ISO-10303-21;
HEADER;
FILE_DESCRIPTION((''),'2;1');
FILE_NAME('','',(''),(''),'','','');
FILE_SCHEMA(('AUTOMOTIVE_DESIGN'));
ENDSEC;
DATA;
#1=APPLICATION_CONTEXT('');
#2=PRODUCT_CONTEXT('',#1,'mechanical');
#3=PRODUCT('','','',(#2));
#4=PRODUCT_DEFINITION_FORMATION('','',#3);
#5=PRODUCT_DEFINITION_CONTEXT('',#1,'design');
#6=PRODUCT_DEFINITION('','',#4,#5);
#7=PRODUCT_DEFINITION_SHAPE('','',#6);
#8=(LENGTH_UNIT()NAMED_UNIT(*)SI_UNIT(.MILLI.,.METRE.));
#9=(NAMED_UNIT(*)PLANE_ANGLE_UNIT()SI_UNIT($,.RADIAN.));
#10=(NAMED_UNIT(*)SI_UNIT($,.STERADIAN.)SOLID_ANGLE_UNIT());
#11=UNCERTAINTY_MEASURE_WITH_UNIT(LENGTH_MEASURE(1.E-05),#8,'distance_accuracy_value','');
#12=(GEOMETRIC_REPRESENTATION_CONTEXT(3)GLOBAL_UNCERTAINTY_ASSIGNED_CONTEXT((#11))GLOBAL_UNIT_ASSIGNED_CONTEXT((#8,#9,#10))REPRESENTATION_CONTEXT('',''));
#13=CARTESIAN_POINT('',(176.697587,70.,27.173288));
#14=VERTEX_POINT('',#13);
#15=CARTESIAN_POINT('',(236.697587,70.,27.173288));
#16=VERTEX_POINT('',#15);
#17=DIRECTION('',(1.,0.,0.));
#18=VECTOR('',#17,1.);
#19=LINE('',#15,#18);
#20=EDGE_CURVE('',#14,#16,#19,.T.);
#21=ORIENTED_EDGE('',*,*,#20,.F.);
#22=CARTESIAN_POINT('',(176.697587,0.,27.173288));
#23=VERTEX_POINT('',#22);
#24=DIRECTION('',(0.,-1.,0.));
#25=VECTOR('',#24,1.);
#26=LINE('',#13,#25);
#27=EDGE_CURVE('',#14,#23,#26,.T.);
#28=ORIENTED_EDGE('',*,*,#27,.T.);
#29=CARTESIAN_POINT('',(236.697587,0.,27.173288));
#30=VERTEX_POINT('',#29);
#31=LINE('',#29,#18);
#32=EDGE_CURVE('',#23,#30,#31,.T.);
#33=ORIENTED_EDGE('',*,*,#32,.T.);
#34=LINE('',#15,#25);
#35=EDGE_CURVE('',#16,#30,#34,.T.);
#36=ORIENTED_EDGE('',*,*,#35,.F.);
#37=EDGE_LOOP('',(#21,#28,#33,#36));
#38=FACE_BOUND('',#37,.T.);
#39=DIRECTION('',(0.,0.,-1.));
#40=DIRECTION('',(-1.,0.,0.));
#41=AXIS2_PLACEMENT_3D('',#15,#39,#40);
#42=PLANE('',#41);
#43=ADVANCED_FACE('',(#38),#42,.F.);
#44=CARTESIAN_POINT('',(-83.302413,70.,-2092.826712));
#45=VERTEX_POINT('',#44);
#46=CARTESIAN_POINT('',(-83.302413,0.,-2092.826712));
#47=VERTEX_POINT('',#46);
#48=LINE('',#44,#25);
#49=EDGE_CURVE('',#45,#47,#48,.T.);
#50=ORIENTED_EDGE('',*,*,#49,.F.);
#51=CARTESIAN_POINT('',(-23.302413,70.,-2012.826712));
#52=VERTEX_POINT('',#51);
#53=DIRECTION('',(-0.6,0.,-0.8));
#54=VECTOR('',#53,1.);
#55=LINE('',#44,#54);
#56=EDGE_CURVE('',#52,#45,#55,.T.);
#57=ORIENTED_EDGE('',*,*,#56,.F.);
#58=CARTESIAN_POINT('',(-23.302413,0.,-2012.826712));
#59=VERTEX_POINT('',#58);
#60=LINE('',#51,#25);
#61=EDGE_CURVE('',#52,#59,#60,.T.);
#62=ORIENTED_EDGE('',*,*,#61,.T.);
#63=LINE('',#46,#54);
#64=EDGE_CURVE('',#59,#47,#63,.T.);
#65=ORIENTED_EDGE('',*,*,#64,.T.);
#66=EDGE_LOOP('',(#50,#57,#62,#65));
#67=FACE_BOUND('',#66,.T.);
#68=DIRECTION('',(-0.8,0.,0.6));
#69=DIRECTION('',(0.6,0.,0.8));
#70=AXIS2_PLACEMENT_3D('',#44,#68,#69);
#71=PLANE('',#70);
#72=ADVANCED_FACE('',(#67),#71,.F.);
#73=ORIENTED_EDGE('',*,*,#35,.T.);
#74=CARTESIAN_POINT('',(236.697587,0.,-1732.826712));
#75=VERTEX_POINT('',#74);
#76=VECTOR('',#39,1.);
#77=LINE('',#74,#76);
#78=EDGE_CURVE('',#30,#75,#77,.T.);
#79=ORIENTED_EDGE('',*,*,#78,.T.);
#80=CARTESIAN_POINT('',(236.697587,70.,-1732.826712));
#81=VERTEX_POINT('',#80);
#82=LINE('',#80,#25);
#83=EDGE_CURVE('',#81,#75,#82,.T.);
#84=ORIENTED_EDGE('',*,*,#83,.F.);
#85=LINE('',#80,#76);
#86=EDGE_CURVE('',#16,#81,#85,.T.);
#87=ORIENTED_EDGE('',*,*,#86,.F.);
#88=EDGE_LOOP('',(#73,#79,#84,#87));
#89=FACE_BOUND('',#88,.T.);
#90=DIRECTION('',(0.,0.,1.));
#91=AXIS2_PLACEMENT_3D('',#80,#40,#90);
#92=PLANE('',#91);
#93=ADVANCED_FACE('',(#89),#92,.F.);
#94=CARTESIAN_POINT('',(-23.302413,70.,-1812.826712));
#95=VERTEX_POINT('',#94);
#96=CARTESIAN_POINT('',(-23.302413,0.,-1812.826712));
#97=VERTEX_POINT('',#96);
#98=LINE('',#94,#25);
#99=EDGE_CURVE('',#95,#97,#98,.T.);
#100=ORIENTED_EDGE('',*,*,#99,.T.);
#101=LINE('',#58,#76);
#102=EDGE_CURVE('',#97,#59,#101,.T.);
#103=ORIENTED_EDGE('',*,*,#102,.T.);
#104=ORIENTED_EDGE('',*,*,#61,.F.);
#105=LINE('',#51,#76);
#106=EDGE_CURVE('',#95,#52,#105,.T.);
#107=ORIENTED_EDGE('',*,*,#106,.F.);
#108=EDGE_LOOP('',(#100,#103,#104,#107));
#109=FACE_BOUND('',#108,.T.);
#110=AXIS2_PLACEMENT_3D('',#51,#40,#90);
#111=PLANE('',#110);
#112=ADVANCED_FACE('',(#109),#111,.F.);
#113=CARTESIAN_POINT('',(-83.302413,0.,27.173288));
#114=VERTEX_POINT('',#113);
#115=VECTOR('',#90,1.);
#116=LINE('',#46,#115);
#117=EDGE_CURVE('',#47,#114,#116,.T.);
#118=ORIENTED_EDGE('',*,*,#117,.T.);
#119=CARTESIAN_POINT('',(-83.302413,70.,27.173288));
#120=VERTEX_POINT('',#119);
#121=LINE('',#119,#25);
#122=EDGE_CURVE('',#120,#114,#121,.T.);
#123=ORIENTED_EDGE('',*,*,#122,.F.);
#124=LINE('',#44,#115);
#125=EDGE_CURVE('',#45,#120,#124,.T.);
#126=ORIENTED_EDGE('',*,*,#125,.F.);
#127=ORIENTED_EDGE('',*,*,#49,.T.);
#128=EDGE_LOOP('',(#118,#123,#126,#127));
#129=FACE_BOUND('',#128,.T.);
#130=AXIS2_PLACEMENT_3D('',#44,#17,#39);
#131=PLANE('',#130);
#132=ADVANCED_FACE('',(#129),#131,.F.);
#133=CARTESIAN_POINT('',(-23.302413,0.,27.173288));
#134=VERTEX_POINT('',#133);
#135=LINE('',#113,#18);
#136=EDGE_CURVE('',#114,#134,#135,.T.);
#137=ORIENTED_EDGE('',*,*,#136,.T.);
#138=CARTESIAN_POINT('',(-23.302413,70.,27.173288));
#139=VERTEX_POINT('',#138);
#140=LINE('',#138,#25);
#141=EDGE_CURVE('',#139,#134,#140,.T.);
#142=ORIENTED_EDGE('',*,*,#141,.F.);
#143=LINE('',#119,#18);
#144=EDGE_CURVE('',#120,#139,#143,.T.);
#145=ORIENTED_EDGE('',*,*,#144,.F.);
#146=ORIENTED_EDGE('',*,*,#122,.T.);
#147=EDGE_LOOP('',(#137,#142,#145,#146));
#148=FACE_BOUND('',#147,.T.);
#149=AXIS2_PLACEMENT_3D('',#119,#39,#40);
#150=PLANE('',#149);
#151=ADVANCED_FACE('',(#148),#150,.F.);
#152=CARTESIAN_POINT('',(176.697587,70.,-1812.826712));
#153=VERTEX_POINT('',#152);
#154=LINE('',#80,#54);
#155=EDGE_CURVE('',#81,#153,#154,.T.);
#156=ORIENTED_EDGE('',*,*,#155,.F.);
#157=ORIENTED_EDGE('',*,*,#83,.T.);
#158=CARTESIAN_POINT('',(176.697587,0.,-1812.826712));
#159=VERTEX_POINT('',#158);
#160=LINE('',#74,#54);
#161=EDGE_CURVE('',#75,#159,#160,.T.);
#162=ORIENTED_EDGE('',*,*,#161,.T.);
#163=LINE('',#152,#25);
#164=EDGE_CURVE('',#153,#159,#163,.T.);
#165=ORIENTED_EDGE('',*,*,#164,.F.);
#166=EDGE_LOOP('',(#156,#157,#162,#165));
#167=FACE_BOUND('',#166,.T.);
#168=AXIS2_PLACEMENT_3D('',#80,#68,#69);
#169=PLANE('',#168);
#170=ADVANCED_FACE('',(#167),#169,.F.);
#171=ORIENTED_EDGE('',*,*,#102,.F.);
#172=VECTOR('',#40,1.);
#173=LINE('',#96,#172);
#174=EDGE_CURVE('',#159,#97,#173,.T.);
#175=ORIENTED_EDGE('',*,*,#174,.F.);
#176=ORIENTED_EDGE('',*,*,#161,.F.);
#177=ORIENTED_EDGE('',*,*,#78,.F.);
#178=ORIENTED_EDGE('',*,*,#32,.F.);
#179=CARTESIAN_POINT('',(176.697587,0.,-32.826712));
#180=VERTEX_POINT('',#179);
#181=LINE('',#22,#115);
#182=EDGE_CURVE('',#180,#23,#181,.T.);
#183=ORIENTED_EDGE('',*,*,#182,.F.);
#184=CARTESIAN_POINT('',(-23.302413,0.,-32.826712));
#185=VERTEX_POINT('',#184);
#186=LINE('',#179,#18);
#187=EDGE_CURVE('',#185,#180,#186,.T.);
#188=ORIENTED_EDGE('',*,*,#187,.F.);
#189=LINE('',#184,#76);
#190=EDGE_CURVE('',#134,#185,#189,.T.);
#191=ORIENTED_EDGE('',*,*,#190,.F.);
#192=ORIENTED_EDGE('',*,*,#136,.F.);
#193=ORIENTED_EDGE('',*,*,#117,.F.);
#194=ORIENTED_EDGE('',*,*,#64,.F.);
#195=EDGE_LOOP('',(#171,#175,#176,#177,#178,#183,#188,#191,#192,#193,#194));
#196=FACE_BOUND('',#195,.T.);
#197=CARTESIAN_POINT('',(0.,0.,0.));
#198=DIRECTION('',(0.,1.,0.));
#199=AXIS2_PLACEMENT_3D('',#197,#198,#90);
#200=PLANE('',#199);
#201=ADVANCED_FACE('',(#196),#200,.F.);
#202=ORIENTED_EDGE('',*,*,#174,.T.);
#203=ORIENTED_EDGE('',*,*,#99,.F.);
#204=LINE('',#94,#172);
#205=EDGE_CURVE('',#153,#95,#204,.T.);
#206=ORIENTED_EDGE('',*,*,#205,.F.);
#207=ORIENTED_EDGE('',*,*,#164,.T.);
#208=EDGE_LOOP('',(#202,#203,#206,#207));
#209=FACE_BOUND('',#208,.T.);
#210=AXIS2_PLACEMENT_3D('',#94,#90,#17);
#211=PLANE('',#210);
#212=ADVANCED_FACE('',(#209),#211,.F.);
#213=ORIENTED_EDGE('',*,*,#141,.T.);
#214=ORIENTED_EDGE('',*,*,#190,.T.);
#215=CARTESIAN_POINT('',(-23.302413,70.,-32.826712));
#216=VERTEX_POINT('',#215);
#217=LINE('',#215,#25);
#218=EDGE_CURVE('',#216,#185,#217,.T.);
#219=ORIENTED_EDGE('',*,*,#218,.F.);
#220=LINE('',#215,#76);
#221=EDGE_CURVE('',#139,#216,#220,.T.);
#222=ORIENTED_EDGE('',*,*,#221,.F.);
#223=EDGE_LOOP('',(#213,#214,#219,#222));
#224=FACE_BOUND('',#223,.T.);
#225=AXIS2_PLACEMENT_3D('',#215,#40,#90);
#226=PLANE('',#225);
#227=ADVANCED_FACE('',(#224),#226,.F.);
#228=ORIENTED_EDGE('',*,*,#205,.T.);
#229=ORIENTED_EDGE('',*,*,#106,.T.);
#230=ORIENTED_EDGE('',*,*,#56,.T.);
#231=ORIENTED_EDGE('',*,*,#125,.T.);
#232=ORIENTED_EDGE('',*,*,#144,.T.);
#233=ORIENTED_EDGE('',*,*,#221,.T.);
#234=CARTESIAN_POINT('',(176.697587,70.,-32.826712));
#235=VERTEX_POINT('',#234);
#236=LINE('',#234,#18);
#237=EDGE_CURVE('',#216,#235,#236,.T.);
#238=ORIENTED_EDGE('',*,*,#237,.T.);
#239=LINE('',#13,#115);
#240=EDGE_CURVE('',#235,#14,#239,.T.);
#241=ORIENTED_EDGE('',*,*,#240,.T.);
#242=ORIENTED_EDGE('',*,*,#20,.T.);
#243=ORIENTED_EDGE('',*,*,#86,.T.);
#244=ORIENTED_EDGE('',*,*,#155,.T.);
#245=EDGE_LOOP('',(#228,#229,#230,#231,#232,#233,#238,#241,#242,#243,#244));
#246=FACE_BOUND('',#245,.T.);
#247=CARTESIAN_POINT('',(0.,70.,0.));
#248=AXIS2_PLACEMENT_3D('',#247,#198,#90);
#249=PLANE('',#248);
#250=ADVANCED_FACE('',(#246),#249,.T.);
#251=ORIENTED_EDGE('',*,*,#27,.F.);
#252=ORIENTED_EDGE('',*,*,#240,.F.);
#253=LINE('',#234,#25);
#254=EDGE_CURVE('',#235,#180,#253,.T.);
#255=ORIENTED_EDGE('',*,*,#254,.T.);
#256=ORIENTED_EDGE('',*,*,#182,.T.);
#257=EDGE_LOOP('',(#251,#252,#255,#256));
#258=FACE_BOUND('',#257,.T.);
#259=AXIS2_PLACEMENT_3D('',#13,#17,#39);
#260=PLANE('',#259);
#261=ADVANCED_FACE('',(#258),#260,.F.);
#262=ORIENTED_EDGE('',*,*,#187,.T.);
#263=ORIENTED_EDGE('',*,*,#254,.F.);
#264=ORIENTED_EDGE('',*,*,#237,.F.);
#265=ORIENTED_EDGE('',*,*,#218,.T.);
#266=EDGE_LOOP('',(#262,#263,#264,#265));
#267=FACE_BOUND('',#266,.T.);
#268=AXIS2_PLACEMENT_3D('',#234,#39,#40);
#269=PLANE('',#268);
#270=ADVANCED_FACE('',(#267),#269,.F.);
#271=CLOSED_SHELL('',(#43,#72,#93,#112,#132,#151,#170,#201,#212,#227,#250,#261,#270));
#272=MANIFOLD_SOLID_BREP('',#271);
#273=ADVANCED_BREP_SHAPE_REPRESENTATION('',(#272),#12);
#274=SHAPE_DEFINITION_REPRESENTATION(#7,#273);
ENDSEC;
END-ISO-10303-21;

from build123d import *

# Parameters (mm, degrees)
EXTRUDE_1_DEPTH = 70


with BuildPart() as part:
    # 草图1 → 凸台-拉伸1 (new body)
    with BuildSketch(Plane(origin=(0, 0, 0), x_dir=(1, 0, 0), z_dir=(0, 1, 0))):
        Polygon((236.697586999, -27.173287726), (176.697586999, -27.173287726), (176.697586999, 32.826712274), (-23.302413001, 32.826712274), (-23.302413001, -27.173287726), (-83.302413001, -27.173287726), (-83.302413001, 2092.826712274), (-23.302413001, 2012.826712274), (-23.302413001, 1812.826712274), (176.697586999, 1812.826712274), (236.697586999, 1732.826712274), align=None)
    extrude(amount=EXTRUDE_1_DEPTH)


solid = part.part
